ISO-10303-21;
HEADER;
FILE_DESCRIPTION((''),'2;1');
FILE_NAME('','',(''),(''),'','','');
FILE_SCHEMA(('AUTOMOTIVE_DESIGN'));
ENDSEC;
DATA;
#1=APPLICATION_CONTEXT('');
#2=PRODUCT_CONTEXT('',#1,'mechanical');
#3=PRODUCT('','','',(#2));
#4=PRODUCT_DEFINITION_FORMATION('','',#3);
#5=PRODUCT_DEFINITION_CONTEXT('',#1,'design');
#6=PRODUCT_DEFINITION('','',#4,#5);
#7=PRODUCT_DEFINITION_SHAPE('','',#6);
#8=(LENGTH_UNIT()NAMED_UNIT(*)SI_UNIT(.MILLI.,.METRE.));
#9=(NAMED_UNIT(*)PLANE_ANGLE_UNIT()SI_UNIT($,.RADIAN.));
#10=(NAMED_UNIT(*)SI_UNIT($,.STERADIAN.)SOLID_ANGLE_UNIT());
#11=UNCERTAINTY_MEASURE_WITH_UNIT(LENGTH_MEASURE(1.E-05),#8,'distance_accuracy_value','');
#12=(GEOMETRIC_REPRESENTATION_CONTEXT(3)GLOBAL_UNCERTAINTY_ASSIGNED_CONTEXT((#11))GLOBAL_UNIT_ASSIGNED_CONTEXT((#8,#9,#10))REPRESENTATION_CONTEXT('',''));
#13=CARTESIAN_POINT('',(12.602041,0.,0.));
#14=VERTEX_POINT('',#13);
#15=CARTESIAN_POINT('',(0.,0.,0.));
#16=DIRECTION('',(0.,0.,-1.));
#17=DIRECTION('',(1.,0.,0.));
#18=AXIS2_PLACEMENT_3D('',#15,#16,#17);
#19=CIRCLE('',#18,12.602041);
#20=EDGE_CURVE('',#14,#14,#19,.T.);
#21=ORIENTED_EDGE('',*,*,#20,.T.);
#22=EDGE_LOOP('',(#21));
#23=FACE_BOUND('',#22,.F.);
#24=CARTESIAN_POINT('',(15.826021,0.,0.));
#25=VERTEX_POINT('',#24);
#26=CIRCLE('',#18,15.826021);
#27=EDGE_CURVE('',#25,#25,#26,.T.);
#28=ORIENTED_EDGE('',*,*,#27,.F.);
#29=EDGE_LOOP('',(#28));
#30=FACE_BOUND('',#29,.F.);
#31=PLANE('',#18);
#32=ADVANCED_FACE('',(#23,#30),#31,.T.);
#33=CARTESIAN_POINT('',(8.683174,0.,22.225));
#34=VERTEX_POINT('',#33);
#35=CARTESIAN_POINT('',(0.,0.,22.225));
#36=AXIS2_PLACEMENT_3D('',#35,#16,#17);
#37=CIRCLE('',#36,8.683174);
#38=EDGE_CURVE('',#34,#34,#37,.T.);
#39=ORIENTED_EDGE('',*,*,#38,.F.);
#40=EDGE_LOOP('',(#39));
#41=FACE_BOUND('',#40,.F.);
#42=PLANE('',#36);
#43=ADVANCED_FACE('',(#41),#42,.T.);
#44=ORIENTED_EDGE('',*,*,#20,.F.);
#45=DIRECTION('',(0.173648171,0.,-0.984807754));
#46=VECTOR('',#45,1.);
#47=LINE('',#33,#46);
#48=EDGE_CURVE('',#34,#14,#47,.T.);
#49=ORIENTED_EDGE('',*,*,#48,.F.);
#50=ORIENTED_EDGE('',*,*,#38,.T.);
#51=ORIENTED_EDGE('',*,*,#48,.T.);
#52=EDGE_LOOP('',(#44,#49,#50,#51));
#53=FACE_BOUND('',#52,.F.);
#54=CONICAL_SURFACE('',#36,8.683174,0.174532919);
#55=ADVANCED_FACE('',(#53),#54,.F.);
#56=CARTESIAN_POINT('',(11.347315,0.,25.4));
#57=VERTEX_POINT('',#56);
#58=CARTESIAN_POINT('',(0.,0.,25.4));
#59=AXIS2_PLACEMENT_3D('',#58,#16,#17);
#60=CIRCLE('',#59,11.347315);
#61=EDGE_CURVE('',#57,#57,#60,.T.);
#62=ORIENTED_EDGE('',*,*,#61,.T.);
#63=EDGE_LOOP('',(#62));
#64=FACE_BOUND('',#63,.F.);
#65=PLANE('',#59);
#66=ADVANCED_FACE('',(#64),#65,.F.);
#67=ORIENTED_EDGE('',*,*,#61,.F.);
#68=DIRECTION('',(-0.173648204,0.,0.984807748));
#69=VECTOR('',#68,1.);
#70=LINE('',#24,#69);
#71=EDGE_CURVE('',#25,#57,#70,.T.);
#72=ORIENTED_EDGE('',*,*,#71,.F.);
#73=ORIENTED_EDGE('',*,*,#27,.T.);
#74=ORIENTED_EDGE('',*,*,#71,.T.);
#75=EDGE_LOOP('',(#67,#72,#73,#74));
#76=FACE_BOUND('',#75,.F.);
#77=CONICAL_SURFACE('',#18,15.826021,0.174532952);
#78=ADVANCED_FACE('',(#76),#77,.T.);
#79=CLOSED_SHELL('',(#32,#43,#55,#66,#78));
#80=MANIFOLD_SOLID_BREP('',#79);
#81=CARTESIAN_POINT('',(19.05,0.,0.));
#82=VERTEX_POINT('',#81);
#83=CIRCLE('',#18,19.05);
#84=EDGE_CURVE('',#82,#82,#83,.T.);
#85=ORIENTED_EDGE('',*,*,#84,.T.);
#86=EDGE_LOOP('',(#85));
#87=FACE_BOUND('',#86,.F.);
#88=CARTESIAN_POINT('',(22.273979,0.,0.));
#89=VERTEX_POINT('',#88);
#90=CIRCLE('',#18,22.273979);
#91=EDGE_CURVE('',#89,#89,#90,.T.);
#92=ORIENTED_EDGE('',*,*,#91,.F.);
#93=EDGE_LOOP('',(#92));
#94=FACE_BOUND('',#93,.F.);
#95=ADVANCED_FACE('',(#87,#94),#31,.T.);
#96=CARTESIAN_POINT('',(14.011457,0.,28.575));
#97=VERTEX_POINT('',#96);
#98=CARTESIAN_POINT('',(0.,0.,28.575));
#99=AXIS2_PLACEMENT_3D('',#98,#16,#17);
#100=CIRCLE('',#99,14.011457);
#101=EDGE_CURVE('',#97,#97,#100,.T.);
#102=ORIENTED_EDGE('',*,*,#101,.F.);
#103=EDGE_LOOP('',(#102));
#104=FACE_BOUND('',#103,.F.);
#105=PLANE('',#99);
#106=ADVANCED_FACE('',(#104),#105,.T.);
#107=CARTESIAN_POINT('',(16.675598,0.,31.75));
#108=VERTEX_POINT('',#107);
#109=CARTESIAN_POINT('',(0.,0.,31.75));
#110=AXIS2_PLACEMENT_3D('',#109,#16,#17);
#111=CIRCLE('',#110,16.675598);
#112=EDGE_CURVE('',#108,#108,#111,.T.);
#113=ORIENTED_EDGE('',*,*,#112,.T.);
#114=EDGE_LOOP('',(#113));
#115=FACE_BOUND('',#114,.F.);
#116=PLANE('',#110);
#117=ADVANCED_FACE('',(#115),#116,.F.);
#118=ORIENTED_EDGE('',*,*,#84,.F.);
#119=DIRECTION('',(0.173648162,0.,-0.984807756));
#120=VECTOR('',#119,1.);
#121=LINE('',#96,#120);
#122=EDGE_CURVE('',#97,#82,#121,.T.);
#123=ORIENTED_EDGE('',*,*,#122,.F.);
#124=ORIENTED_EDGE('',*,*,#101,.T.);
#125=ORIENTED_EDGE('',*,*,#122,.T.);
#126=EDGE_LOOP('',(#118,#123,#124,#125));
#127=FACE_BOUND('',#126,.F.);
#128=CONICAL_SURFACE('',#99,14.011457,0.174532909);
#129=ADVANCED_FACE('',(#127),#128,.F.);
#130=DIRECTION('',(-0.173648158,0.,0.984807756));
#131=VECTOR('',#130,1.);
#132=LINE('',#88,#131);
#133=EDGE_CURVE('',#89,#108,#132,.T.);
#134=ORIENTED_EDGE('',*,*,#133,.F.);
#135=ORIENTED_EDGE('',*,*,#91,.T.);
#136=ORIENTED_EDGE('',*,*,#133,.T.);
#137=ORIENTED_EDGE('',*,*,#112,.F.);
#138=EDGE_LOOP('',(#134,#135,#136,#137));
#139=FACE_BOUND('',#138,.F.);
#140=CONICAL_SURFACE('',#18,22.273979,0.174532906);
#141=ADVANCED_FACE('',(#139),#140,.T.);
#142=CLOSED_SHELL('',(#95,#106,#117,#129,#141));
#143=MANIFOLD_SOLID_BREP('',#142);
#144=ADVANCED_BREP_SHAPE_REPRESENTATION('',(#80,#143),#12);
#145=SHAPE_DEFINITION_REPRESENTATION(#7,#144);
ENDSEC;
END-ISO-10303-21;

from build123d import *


with BuildPart() as f1:
    # F0 (on Front) → F1 (revolve)
    with BuildSketch(Plane.XZ):
        Polygon((14.011457, 28.575), (19.05, 0), (22.273979, 0), (16.675598, 31.75), (0, 31.75), (0, 28.575), align=None)
        Polygon((15.826021, 0), (11.347315, 25.4), (0, 25.4), (0, 22.225), (8.683174, 22.225), (12.602041, 0), align=None)
    revolve(axis=Axis((0, 0, 30.1625), (0, 0, -1)))


solid = f1.part
